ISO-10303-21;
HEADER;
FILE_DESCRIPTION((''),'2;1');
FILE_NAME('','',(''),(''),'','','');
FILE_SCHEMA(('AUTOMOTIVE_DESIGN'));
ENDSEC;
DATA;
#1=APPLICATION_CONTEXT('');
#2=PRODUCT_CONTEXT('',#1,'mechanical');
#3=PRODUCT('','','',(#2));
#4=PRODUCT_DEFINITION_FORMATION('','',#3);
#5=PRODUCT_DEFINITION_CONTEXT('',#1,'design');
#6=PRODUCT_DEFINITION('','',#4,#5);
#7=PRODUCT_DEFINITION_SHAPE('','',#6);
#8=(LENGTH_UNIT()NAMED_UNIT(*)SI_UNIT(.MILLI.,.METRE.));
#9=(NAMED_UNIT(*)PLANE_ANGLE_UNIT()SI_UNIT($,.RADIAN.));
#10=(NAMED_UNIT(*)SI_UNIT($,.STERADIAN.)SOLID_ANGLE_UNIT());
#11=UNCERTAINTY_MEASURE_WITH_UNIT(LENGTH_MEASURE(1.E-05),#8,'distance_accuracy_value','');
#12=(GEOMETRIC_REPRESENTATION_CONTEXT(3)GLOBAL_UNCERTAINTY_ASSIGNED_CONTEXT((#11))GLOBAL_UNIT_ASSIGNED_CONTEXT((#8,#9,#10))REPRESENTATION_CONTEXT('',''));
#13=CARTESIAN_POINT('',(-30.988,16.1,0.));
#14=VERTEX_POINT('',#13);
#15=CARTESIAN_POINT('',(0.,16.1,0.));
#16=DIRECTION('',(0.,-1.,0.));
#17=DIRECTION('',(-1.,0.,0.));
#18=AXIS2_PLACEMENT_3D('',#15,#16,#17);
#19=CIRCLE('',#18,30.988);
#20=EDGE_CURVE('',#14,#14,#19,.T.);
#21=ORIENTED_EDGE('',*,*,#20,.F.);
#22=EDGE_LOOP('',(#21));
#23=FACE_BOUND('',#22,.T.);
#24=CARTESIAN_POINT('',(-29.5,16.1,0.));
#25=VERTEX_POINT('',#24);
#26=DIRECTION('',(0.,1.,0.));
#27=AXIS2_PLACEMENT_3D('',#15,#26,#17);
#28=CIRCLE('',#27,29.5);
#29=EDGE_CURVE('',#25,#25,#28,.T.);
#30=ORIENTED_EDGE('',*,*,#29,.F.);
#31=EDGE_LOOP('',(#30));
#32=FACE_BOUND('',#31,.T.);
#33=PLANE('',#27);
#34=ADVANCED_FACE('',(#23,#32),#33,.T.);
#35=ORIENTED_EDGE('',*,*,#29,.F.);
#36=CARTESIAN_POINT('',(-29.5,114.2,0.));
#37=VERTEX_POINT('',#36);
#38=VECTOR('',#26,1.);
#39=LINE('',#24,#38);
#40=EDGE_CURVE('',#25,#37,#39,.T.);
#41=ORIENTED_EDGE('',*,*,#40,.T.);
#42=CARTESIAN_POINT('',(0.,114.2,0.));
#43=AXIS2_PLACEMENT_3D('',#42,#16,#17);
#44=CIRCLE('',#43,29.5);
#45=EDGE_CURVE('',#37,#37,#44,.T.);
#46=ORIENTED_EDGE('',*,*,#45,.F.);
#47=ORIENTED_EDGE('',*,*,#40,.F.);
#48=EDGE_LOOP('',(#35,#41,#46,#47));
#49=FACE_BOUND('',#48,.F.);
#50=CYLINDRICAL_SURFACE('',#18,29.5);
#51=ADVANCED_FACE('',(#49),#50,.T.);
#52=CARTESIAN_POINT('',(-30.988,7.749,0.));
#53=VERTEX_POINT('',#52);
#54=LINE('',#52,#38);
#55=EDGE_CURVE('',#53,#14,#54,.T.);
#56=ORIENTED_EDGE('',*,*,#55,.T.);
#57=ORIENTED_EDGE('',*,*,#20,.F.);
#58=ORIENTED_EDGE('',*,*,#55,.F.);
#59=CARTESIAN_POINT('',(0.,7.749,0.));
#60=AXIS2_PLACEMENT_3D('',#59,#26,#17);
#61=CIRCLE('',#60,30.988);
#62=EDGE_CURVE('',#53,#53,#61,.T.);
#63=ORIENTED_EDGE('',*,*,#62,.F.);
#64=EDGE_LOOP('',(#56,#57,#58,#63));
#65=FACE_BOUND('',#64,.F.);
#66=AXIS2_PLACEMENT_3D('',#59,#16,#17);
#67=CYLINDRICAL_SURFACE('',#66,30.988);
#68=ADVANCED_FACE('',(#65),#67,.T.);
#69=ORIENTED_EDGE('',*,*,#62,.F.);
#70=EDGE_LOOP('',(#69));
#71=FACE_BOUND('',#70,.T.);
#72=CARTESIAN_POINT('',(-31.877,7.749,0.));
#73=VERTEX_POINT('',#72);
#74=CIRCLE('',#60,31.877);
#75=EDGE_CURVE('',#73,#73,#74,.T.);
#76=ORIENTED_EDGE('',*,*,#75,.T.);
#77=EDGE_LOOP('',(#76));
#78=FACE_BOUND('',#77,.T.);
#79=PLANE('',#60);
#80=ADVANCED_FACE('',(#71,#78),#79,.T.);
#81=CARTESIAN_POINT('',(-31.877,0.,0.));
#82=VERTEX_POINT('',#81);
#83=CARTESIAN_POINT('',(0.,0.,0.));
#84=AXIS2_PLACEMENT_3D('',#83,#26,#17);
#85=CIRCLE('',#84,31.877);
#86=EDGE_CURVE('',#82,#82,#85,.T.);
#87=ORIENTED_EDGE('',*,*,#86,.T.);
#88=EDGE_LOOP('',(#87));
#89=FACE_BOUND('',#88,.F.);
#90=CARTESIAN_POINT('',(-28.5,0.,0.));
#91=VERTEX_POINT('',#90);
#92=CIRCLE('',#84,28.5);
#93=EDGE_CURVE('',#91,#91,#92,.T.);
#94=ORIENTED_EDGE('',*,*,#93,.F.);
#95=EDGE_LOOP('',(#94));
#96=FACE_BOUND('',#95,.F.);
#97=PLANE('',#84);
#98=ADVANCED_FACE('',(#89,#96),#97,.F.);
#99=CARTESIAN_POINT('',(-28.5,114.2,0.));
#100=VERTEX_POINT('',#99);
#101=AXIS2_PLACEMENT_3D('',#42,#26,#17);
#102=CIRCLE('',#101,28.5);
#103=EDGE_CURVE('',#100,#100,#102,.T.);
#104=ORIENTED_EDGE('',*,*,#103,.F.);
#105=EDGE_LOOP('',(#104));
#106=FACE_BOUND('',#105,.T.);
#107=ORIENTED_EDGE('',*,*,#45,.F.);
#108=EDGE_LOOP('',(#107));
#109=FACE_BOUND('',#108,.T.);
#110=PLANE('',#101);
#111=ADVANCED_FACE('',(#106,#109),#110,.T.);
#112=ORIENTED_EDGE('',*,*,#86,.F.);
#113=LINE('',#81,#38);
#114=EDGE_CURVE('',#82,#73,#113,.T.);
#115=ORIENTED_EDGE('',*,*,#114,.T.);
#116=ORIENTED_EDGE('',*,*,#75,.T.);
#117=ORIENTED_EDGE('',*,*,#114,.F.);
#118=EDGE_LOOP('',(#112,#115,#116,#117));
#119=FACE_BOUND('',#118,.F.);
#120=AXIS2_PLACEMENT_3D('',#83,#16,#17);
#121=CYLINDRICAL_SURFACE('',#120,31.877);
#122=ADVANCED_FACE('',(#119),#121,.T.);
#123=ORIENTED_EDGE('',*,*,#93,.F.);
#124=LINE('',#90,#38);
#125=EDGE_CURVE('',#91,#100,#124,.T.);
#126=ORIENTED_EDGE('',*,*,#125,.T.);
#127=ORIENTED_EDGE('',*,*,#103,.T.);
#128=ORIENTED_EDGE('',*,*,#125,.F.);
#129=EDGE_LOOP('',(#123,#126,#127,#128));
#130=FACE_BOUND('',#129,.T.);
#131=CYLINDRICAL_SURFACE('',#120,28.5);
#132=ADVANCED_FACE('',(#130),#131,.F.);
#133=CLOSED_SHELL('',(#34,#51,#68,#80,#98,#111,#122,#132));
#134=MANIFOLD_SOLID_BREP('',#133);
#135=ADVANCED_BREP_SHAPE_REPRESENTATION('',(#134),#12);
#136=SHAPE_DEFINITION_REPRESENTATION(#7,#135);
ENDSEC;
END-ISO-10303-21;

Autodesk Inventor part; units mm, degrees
sketch "Sketch1" plane through (0, 0, 0) normal (0, 1, 0) x (-1, 0, 0)
  circle A0 centre (0, 0) radius 28.5
  circle A1 centre (0, 0) radius 31.877
  dimension "d0" = 57
  dimension "d1" = 63.754
extrude "Extrusion1" add sketch "Sketch1" along normal blind 114.2
ref_plane "Work Plane1" through (0, 7.749, 0) normal (0, 1, 0) x (-1, 0, 0)
sketch "Sketch3" plane through (0, 7.749, 0) normal (0, 1, 0) x (-1, 0, 0)
  circle A0 centre (0, 0) radius 31.877
  circle A1 centre (0, 0) radius 30.988
  dimension "d6" = 61.976
extrude "Extrusion2" cut sketch "Sketch3" along normal blind 200
ref_plane "Work Plane2" through (0, 16.1, 0) normal (0, 1, 0) x (-1, 0, 0)
sketch "Sketch4" plane through (0, 16.1, 0) normal (0, 1, 0) x (-1, 0, 0)
  circle A0 centre (0, 0) radius 29.5
  circle A1 centre (0, 0) radius 27.8909
  circle A2 centre (0, 0) radius 33.2417
  dimension "d10" = 59
extrude "Extrusion3" cut sketch "Sketch4" along normal blind 200 contours A2
ref_plane "Work Plane3" through (0, 113.3, 0) normal (0, 1, 0) x (-1, 0, 0)
properties part number "Vacuum Cylinder"
